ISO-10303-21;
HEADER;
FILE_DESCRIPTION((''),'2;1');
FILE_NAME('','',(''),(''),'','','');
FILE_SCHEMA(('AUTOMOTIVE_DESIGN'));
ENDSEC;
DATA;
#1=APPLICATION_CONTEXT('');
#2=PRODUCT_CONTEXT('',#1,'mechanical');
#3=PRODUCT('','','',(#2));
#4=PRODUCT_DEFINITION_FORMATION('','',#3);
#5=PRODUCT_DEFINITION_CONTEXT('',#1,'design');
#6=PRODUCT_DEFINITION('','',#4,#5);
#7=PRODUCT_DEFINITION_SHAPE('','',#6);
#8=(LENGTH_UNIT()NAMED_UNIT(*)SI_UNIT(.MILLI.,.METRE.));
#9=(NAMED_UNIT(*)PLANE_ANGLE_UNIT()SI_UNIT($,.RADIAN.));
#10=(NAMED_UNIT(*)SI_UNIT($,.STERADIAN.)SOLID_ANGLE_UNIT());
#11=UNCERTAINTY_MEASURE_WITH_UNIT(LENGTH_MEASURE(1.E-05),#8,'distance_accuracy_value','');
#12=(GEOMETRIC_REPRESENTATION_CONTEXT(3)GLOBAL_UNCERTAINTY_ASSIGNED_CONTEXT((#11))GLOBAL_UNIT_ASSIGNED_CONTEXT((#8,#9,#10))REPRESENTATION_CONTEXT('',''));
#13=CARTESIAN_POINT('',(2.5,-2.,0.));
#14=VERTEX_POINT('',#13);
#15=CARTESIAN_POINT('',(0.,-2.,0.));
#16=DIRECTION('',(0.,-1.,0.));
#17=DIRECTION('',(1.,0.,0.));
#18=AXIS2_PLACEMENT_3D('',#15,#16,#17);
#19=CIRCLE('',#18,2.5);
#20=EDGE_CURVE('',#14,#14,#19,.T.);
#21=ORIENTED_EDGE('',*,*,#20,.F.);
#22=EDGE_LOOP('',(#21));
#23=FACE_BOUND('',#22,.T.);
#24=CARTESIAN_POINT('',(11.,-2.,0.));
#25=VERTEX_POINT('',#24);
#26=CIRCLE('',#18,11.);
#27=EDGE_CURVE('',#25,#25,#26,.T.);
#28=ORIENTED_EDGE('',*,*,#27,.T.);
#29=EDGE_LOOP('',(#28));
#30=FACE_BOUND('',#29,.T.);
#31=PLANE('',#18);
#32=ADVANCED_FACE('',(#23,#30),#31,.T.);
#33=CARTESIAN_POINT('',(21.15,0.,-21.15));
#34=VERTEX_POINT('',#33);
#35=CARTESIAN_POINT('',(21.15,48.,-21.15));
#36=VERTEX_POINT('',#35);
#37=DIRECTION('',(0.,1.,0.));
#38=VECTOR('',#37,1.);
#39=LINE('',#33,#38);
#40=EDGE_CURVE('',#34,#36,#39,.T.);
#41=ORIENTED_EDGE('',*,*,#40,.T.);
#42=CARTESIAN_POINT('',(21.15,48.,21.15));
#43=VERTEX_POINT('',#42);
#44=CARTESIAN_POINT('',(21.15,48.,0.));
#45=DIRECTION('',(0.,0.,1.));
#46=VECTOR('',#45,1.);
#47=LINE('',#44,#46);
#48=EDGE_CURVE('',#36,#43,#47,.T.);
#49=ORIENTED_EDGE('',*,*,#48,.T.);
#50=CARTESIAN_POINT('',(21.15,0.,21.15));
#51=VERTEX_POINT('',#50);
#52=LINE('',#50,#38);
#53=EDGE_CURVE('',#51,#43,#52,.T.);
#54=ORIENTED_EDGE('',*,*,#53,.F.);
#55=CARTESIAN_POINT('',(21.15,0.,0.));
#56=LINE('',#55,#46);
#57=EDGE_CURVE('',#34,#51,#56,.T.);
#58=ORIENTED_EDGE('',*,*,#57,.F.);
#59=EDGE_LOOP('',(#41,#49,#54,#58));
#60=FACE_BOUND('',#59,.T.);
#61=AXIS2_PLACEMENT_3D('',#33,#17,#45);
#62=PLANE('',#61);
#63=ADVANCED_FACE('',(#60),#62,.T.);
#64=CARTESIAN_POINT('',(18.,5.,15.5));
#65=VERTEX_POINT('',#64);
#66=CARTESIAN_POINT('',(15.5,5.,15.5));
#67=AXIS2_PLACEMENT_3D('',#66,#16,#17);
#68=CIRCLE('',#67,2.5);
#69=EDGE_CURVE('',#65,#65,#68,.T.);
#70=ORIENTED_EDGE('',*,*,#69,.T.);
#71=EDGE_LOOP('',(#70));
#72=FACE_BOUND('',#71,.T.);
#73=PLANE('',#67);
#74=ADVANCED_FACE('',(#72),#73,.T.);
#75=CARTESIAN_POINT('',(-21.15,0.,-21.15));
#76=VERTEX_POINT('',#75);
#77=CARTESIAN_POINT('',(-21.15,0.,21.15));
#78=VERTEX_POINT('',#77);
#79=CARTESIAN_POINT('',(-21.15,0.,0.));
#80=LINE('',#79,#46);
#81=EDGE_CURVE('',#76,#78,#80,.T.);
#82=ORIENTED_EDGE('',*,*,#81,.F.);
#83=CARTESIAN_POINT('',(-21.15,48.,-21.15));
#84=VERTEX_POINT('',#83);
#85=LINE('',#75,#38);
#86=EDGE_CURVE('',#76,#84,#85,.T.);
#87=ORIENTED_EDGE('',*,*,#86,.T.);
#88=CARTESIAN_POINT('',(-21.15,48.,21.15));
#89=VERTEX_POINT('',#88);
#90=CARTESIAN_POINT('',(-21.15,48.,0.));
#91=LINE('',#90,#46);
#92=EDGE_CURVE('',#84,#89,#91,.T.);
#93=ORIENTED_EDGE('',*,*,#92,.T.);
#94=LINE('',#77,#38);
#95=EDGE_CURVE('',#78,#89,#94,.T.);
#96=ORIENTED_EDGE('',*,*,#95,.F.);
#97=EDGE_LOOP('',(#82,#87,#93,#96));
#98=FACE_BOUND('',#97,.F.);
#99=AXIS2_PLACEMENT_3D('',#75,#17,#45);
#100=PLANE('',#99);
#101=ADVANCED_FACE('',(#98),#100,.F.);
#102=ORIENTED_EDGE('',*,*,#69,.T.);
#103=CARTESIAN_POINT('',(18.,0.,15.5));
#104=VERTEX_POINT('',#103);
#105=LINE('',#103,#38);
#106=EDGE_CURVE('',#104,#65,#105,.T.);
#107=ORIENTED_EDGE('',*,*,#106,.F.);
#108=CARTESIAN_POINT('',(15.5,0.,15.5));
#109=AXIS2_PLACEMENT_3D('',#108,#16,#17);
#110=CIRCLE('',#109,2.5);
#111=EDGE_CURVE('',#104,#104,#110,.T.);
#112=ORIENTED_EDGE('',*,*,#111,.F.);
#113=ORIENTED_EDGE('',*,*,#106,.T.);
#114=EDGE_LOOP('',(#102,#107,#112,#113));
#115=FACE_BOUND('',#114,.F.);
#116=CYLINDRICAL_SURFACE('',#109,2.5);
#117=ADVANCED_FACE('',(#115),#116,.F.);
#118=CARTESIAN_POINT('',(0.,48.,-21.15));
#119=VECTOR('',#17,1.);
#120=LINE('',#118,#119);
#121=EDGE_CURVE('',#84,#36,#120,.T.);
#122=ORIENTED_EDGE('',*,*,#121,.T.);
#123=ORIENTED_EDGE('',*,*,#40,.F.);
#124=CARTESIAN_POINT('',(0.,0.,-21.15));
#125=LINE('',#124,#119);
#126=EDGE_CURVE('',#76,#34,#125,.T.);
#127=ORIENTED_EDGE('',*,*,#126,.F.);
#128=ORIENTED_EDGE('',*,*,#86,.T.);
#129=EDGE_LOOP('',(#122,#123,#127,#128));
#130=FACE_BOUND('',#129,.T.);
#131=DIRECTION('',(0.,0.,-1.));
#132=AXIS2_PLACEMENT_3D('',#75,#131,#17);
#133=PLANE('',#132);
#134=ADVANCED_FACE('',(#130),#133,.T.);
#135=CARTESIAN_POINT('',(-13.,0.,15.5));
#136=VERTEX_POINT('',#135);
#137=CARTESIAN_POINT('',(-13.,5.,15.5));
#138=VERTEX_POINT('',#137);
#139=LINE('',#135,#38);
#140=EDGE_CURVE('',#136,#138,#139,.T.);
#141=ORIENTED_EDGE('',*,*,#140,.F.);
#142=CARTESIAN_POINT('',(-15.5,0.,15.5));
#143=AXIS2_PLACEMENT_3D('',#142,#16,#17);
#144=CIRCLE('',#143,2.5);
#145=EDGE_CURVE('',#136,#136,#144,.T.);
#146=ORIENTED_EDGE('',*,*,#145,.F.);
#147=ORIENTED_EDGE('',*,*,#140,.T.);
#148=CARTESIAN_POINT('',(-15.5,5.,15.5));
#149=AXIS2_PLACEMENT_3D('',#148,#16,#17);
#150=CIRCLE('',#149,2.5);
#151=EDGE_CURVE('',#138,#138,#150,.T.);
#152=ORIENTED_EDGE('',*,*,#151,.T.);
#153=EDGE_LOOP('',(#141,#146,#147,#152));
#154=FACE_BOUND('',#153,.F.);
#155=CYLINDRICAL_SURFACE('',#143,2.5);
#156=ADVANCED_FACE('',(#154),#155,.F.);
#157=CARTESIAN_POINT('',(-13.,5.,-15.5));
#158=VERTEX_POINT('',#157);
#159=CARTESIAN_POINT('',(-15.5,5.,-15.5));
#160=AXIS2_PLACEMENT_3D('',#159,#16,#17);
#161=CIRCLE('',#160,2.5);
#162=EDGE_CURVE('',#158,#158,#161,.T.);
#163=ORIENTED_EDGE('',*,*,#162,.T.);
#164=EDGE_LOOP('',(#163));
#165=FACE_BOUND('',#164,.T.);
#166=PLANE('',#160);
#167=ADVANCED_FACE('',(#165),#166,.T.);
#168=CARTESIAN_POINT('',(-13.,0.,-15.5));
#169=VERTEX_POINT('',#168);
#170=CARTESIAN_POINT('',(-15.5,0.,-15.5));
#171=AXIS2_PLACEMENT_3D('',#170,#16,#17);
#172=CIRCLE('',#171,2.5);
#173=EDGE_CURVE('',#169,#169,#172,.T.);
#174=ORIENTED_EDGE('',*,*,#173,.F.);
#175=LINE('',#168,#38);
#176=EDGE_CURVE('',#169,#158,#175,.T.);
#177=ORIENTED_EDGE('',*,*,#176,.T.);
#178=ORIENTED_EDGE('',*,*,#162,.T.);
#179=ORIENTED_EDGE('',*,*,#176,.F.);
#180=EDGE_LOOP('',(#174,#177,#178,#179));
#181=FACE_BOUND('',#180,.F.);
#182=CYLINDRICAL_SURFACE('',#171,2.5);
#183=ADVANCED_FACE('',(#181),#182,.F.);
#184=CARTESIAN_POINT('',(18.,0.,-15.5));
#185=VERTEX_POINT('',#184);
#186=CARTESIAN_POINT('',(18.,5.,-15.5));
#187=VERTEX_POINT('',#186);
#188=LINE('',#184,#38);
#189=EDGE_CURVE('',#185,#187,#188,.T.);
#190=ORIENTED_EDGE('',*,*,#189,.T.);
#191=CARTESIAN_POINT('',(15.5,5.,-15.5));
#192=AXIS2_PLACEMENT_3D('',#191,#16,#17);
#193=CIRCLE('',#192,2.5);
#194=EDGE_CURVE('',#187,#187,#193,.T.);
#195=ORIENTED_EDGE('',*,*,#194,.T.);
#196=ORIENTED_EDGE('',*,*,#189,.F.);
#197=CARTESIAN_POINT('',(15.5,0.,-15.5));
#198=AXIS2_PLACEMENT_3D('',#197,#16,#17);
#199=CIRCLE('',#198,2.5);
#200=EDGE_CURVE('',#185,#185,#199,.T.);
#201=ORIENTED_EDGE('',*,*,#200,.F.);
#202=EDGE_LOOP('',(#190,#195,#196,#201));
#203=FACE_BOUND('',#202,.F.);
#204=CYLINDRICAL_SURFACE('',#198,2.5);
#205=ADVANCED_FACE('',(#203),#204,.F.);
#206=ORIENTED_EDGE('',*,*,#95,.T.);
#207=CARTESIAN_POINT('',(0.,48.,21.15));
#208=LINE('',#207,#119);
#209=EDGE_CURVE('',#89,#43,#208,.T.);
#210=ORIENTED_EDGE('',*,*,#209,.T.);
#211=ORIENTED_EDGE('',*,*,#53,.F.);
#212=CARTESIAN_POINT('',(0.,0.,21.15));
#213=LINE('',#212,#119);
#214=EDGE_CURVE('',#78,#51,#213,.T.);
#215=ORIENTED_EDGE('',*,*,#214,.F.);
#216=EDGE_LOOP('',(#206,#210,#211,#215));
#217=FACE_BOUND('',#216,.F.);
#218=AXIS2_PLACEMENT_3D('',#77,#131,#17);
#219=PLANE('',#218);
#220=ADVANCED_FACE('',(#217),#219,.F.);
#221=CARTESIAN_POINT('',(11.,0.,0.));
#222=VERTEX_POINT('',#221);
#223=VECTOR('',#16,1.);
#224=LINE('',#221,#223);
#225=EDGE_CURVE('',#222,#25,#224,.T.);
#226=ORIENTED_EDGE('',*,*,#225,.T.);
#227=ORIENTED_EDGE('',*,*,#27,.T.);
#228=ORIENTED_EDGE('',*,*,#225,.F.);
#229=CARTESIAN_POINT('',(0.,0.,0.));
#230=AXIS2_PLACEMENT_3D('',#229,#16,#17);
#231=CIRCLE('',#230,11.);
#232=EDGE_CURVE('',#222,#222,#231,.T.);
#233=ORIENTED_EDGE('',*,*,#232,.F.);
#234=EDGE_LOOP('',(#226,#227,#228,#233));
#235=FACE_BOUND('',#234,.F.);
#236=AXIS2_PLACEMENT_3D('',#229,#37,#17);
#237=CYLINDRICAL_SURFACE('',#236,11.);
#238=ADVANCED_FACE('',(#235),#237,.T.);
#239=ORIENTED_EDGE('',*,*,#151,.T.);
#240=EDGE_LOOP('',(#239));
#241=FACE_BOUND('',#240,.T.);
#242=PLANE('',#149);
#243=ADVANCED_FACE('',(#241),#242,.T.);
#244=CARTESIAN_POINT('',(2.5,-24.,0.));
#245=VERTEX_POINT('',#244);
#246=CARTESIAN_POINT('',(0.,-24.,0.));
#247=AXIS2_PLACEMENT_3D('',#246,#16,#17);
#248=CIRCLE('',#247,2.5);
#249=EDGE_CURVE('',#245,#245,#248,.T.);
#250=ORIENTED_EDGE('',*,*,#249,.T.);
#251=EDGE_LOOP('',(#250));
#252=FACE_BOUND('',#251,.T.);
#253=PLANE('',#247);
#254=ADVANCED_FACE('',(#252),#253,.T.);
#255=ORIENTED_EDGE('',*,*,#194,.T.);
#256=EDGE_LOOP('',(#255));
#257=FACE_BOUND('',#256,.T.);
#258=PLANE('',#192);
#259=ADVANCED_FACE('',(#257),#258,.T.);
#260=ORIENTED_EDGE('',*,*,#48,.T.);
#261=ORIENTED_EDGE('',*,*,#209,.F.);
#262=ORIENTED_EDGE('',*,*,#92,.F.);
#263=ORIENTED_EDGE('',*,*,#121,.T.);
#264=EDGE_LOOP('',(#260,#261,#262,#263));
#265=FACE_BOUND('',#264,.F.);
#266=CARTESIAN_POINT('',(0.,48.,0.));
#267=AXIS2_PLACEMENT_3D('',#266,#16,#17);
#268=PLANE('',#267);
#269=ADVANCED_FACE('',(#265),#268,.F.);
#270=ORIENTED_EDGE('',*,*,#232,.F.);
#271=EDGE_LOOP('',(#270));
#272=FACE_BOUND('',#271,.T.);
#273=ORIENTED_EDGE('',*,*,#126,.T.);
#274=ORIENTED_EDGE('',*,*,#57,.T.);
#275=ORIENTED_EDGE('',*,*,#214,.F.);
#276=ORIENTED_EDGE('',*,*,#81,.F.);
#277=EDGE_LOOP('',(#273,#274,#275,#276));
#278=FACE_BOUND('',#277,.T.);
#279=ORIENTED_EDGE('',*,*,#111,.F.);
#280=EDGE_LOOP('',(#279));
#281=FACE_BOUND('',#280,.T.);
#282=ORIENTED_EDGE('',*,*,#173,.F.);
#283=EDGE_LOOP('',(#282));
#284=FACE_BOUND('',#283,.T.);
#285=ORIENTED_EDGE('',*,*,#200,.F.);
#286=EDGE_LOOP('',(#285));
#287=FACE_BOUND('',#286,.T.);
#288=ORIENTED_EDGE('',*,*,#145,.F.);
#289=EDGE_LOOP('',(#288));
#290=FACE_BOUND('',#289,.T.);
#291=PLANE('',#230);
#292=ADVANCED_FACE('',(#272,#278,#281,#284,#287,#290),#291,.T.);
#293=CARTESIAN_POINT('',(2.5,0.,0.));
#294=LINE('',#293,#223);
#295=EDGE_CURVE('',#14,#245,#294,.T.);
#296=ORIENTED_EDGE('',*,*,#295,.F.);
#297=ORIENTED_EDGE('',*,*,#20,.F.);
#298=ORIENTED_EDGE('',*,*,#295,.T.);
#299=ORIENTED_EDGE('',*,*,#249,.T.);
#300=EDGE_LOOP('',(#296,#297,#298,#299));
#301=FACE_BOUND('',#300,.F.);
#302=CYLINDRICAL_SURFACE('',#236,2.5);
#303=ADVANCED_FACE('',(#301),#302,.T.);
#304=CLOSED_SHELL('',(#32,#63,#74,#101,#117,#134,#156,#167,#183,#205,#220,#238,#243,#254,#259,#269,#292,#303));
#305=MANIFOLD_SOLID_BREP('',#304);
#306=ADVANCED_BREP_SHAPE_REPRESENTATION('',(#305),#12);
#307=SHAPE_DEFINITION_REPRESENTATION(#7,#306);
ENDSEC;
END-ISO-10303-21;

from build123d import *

# Parameters (mm, degrees)
F0_W     = 42.3
F0_H     = 42.3
F0_R     = 2.5
F0_R_2   = 11
F1_DEPTH = 48
F2_DEPTH = 5
F3_DEPTH = 2
F4_DEPTH = 24


with BuildPart() as f1:
    # F0 (on Front) → F1 (new body)
    with BuildSketch(Plane.XZ):
        Rectangle(F0_W, F0_H)
        with Locations((-15.5, -15.5)):
            Circle(F0_R, mode=Mode.SUBTRACT)
        with Locations((15.5, -15.5)):
            Circle(F0_R, mode=Mode.SUBTRACT)
        with Locations((-15.5, 15.5)):
            Circle(F0_R, mode=Mode.SUBTRACT)
        Circle(F0_R_2, mode=Mode.SUBTRACT)
        with Locations((15.5, 15.5)):
            Circle(F0_R, mode=Mode.SUBTRACT)
        Circle(F0_R_2)
        Circle(F0_R, mode=Mode.SUBTRACT)
        with Locations((-15.5, 15.5)):
            Circle(F0_R)
        Circle(F0_R)
        with Locations((15.5, 15.5)):
            Circle(F0_R)
        with Locations((-15.5, -15.5)):
            Circle(F0_R)
        with Locations((15.5, -15.5)):
            Circle(F0_R)
    extrude(amount=-F1_DEPTH)

    # F0 (on Front) → F2 (cut)
    with BuildSketch(Plane.XZ):
        with Locations((-15.5, 15.5)):
            Circle(F0_R)
        with Locations((15.5, 15.5)):
            Circle(F0_R)
        with Locations((15.5, -15.5)):
            Circle(F0_R)
        with Locations((-15.5, -15.5)):
            Circle(F0_R)
    extrude(amount=-F2_DEPTH, mode=Mode.SUBTRACT)

    # F0 (on Front) → F3 (join)
    with BuildSketch(Plane.XZ):
        Circle(F0_R_2)
        Circle(F0_R, mode=Mode.SUBTRACT)
    extrude(amount=F3_DEPTH)

    # F0 (on Front) → F4 (join)
    with BuildSketch(Plane.XZ):
        Circle(F0_R)
    extrude(amount=F4_DEPTH)


solid = f1.part
